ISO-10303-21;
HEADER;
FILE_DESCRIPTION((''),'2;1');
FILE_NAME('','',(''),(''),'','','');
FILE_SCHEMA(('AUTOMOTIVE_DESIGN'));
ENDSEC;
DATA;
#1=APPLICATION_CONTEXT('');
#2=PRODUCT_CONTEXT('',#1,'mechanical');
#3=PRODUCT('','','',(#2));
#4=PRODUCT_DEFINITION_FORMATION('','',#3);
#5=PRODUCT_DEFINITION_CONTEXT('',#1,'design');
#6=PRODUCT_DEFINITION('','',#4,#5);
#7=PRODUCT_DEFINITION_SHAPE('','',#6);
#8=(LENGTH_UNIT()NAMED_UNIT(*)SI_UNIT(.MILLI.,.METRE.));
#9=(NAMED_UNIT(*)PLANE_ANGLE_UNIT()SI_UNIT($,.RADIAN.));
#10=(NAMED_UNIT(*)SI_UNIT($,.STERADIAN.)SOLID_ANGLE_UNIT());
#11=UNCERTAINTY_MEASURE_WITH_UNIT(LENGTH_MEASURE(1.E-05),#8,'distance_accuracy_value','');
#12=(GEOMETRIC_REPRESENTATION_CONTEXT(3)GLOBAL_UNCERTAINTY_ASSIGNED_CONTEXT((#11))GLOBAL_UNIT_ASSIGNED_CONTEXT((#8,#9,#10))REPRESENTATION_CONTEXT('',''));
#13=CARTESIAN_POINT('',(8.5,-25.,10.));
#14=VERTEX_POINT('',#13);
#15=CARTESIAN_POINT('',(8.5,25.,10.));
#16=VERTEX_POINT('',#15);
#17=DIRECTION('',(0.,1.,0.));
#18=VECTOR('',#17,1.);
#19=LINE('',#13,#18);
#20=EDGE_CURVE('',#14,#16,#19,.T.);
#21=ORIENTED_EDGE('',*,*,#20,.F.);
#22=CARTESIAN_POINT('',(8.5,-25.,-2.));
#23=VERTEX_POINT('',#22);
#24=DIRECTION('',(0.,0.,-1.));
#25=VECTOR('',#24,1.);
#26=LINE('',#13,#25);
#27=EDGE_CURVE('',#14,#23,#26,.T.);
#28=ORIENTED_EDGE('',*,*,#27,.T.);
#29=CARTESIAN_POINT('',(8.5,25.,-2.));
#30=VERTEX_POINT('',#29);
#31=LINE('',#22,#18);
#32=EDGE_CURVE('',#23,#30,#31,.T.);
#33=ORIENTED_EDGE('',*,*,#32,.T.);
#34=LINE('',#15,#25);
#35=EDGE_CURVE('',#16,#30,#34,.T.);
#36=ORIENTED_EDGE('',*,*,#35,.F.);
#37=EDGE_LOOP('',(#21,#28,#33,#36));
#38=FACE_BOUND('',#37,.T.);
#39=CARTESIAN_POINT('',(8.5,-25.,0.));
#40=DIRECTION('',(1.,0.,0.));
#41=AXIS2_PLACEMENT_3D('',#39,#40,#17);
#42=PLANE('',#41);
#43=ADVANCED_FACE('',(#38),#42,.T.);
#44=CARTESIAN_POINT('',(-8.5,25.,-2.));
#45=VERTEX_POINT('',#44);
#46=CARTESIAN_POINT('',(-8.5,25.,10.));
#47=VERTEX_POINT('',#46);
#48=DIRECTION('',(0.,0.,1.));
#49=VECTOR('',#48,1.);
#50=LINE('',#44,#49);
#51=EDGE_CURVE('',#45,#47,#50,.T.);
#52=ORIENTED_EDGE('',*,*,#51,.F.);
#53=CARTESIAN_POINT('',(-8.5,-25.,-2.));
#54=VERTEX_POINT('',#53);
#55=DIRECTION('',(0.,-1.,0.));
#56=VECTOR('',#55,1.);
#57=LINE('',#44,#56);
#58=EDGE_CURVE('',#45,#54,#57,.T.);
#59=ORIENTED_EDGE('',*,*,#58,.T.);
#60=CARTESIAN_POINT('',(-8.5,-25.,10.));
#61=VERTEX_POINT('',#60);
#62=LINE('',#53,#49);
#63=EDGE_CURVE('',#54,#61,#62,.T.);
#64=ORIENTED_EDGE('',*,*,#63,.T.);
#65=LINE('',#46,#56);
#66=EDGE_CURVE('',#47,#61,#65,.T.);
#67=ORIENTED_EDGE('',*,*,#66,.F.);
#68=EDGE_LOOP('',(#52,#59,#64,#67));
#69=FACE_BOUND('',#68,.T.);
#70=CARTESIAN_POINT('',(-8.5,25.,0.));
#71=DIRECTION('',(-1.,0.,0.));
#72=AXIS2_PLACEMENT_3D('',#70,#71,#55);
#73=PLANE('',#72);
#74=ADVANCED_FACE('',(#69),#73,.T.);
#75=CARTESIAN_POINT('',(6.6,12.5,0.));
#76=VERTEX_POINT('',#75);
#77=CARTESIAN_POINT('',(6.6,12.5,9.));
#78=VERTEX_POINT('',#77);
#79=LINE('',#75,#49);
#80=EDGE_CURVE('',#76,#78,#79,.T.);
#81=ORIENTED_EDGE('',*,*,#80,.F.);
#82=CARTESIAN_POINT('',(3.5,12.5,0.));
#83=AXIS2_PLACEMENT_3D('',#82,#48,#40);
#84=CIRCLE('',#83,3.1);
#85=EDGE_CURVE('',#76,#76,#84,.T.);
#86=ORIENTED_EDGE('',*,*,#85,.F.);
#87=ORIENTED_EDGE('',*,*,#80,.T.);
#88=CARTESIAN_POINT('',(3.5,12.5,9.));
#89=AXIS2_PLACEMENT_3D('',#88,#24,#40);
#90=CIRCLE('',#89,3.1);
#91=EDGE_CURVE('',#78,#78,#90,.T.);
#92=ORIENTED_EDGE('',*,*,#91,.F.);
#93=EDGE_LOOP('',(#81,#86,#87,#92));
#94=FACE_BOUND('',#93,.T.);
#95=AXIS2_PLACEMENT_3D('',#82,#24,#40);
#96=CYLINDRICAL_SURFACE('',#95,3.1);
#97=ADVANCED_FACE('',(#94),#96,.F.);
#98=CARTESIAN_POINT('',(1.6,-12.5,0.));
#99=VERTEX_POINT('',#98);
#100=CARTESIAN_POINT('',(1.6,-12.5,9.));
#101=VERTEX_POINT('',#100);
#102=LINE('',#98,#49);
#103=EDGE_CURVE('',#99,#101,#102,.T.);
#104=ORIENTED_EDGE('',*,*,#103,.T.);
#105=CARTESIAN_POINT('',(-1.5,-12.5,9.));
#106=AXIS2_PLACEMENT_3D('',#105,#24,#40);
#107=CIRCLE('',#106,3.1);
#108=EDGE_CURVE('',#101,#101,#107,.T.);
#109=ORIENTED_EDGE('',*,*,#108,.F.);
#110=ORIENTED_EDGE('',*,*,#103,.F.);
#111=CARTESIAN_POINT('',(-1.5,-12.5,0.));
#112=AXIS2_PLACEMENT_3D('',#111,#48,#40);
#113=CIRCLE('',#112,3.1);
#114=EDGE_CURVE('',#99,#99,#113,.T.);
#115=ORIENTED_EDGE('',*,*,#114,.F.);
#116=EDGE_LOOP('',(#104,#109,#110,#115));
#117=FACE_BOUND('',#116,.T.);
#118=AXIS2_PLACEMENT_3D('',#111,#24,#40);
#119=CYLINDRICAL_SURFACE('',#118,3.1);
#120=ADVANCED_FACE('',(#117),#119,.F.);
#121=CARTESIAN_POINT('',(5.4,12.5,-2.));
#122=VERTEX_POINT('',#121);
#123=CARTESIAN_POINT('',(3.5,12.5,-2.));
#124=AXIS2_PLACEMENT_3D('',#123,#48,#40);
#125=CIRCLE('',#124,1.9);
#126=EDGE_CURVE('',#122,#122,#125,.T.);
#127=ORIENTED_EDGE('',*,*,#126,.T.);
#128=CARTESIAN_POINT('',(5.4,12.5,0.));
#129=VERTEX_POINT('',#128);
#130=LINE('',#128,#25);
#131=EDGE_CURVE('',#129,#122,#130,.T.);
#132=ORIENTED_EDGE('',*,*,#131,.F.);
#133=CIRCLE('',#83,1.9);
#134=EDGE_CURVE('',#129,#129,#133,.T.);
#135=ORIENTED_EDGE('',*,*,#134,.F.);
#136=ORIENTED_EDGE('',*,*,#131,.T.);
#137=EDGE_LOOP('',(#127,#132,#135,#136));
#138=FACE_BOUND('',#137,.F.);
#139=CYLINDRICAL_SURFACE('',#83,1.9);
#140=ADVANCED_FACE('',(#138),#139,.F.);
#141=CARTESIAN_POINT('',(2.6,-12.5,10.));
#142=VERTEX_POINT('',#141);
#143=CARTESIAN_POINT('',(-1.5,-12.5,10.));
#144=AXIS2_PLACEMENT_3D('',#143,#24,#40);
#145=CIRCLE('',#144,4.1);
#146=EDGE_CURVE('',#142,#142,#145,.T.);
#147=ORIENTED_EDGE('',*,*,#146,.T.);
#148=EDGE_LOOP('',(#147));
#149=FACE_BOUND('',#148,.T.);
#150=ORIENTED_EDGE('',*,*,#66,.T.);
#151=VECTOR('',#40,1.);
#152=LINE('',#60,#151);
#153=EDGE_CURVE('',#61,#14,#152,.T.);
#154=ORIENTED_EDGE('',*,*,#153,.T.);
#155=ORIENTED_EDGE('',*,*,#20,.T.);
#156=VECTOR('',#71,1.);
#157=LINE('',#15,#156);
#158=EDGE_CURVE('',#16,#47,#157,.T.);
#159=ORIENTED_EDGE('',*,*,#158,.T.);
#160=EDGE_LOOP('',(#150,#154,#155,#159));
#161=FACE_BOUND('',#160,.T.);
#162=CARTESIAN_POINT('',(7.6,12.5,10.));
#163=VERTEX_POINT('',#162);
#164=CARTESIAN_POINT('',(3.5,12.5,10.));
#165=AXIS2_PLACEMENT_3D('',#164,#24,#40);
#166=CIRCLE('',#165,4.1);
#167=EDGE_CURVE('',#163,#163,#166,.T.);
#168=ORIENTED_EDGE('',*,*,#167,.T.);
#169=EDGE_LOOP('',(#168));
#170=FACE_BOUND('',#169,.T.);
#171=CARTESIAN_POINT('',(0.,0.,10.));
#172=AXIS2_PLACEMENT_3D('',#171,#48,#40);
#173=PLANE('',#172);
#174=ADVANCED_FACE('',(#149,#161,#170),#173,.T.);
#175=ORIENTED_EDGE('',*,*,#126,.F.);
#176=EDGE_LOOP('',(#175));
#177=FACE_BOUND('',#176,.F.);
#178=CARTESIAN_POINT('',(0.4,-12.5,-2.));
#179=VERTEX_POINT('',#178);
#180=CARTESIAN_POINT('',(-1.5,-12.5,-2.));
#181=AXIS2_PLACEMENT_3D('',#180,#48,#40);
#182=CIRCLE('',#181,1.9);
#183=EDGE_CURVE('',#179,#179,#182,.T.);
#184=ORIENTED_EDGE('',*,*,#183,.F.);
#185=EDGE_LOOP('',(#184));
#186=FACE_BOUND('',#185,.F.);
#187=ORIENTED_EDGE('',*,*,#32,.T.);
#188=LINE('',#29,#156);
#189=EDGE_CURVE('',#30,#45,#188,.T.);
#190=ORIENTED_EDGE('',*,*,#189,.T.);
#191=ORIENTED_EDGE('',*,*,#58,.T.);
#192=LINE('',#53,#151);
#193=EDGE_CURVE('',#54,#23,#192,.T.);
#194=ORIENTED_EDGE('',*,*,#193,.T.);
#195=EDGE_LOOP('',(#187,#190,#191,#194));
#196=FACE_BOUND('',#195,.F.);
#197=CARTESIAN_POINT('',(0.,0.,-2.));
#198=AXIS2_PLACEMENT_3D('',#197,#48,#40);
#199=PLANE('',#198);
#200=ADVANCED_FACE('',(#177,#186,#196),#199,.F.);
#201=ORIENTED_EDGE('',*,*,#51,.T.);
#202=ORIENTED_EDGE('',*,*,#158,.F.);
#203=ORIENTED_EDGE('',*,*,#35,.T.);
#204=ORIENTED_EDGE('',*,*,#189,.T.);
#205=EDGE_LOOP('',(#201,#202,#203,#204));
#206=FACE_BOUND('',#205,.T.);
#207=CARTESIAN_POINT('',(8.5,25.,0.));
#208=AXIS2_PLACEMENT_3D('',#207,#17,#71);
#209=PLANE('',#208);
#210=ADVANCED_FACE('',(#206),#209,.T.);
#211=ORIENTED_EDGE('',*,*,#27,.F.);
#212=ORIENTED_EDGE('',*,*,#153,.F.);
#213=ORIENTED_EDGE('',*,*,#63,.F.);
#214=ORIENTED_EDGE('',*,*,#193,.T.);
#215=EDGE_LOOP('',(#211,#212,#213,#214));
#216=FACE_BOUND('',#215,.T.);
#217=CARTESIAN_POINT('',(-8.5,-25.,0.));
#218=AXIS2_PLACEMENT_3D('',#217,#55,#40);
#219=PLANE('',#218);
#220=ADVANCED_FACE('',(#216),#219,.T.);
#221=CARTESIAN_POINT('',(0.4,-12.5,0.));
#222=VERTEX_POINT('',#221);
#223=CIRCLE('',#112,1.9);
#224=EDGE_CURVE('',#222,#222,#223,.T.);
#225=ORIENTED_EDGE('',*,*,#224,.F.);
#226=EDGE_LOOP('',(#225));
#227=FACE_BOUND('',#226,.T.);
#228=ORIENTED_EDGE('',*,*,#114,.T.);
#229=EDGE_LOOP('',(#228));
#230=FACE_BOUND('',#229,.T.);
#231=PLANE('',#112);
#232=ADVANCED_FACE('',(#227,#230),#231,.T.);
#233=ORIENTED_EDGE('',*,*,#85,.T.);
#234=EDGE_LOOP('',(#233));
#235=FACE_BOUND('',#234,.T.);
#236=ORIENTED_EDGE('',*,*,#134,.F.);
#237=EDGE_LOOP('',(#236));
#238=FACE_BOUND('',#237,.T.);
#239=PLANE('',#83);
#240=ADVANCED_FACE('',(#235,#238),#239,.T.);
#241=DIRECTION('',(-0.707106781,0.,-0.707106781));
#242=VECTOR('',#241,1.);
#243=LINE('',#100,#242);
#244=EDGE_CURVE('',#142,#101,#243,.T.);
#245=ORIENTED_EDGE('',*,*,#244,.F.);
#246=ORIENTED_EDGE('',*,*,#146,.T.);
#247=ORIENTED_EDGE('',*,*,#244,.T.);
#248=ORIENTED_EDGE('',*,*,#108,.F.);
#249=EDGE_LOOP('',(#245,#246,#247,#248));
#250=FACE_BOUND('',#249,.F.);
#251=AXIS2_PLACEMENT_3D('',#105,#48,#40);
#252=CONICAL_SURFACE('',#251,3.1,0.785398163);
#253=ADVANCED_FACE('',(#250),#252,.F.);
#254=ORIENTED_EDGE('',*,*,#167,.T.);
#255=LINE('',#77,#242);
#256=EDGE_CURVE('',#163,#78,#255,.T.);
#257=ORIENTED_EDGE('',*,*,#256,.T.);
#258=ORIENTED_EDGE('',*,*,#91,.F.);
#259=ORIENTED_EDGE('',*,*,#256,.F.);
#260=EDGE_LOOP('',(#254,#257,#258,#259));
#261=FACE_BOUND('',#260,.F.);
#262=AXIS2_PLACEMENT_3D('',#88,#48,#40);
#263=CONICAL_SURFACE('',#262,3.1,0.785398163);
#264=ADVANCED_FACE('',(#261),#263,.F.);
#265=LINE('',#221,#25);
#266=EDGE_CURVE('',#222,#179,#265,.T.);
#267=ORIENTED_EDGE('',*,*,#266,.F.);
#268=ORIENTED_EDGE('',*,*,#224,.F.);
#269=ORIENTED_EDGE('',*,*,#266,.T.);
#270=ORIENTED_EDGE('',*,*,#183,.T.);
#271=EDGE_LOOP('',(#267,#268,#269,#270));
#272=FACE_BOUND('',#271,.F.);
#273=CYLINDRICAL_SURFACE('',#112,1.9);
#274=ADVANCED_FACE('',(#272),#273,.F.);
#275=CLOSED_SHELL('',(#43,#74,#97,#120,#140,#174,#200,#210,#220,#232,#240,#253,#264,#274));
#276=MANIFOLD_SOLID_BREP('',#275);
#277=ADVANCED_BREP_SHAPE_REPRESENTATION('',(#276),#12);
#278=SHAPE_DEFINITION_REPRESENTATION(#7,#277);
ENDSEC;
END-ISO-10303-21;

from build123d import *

# Parameters (mm, degrees)
F1_DEPTH      = 10
F1_DEPTH_BACK = 2
F3_R          = 1.9
F4_DEPTH      = 25
F2_R          = 3.1
F5_DEPTH      = 25
F6_SIZE       = 1


with BuildPart() as f1:
    # F0 (on Top) → F1 (new body, two sides)
    with BuildSketch(Plane.XY) as f1_sk:
        Polygon((8.5, 25), (0, 25), (-8.5, 25), (-8.5, 0), (-8.5, -25), (0, -25), (8.5, -25), (8.5, 0), align=None)
    extrude(amount=F1_DEPTH)
    extrude(f1_sk.sketch, amount=-F1_DEPTH_BACK)

    # F3 (on Top) → F4 (cut)
    with BuildSketch(Plane.XY):
        with Locations((3.5, 12.5)):
            Circle(F3_R)
        with Locations((-1.5, -12.5)):
            Circle(F3_R)
    extrude(amount=-F4_DEPTH, mode=Mode.SUBTRACT)

    # F2 (on Top) → F5 (cut)
    with BuildSketch(Plane.XY):
        with Locations((3.5, 12.5)):
            Circle(F2_R)
        with Locations((-1.5, -12.5)):
            Circle(F2_R)
    extrude(amount=F5_DEPTH, mode=Mode.SUBTRACT)

    # F6
    f6_edges = [f1.edges().sort_by_distance(p)[0] for p in [
        (-4.6, -12.5, 10),
        (0.4, 12.5, 10),
    ]]
    chamfer(f6_edges, length=F6_SIZE)


solid = f1.part
